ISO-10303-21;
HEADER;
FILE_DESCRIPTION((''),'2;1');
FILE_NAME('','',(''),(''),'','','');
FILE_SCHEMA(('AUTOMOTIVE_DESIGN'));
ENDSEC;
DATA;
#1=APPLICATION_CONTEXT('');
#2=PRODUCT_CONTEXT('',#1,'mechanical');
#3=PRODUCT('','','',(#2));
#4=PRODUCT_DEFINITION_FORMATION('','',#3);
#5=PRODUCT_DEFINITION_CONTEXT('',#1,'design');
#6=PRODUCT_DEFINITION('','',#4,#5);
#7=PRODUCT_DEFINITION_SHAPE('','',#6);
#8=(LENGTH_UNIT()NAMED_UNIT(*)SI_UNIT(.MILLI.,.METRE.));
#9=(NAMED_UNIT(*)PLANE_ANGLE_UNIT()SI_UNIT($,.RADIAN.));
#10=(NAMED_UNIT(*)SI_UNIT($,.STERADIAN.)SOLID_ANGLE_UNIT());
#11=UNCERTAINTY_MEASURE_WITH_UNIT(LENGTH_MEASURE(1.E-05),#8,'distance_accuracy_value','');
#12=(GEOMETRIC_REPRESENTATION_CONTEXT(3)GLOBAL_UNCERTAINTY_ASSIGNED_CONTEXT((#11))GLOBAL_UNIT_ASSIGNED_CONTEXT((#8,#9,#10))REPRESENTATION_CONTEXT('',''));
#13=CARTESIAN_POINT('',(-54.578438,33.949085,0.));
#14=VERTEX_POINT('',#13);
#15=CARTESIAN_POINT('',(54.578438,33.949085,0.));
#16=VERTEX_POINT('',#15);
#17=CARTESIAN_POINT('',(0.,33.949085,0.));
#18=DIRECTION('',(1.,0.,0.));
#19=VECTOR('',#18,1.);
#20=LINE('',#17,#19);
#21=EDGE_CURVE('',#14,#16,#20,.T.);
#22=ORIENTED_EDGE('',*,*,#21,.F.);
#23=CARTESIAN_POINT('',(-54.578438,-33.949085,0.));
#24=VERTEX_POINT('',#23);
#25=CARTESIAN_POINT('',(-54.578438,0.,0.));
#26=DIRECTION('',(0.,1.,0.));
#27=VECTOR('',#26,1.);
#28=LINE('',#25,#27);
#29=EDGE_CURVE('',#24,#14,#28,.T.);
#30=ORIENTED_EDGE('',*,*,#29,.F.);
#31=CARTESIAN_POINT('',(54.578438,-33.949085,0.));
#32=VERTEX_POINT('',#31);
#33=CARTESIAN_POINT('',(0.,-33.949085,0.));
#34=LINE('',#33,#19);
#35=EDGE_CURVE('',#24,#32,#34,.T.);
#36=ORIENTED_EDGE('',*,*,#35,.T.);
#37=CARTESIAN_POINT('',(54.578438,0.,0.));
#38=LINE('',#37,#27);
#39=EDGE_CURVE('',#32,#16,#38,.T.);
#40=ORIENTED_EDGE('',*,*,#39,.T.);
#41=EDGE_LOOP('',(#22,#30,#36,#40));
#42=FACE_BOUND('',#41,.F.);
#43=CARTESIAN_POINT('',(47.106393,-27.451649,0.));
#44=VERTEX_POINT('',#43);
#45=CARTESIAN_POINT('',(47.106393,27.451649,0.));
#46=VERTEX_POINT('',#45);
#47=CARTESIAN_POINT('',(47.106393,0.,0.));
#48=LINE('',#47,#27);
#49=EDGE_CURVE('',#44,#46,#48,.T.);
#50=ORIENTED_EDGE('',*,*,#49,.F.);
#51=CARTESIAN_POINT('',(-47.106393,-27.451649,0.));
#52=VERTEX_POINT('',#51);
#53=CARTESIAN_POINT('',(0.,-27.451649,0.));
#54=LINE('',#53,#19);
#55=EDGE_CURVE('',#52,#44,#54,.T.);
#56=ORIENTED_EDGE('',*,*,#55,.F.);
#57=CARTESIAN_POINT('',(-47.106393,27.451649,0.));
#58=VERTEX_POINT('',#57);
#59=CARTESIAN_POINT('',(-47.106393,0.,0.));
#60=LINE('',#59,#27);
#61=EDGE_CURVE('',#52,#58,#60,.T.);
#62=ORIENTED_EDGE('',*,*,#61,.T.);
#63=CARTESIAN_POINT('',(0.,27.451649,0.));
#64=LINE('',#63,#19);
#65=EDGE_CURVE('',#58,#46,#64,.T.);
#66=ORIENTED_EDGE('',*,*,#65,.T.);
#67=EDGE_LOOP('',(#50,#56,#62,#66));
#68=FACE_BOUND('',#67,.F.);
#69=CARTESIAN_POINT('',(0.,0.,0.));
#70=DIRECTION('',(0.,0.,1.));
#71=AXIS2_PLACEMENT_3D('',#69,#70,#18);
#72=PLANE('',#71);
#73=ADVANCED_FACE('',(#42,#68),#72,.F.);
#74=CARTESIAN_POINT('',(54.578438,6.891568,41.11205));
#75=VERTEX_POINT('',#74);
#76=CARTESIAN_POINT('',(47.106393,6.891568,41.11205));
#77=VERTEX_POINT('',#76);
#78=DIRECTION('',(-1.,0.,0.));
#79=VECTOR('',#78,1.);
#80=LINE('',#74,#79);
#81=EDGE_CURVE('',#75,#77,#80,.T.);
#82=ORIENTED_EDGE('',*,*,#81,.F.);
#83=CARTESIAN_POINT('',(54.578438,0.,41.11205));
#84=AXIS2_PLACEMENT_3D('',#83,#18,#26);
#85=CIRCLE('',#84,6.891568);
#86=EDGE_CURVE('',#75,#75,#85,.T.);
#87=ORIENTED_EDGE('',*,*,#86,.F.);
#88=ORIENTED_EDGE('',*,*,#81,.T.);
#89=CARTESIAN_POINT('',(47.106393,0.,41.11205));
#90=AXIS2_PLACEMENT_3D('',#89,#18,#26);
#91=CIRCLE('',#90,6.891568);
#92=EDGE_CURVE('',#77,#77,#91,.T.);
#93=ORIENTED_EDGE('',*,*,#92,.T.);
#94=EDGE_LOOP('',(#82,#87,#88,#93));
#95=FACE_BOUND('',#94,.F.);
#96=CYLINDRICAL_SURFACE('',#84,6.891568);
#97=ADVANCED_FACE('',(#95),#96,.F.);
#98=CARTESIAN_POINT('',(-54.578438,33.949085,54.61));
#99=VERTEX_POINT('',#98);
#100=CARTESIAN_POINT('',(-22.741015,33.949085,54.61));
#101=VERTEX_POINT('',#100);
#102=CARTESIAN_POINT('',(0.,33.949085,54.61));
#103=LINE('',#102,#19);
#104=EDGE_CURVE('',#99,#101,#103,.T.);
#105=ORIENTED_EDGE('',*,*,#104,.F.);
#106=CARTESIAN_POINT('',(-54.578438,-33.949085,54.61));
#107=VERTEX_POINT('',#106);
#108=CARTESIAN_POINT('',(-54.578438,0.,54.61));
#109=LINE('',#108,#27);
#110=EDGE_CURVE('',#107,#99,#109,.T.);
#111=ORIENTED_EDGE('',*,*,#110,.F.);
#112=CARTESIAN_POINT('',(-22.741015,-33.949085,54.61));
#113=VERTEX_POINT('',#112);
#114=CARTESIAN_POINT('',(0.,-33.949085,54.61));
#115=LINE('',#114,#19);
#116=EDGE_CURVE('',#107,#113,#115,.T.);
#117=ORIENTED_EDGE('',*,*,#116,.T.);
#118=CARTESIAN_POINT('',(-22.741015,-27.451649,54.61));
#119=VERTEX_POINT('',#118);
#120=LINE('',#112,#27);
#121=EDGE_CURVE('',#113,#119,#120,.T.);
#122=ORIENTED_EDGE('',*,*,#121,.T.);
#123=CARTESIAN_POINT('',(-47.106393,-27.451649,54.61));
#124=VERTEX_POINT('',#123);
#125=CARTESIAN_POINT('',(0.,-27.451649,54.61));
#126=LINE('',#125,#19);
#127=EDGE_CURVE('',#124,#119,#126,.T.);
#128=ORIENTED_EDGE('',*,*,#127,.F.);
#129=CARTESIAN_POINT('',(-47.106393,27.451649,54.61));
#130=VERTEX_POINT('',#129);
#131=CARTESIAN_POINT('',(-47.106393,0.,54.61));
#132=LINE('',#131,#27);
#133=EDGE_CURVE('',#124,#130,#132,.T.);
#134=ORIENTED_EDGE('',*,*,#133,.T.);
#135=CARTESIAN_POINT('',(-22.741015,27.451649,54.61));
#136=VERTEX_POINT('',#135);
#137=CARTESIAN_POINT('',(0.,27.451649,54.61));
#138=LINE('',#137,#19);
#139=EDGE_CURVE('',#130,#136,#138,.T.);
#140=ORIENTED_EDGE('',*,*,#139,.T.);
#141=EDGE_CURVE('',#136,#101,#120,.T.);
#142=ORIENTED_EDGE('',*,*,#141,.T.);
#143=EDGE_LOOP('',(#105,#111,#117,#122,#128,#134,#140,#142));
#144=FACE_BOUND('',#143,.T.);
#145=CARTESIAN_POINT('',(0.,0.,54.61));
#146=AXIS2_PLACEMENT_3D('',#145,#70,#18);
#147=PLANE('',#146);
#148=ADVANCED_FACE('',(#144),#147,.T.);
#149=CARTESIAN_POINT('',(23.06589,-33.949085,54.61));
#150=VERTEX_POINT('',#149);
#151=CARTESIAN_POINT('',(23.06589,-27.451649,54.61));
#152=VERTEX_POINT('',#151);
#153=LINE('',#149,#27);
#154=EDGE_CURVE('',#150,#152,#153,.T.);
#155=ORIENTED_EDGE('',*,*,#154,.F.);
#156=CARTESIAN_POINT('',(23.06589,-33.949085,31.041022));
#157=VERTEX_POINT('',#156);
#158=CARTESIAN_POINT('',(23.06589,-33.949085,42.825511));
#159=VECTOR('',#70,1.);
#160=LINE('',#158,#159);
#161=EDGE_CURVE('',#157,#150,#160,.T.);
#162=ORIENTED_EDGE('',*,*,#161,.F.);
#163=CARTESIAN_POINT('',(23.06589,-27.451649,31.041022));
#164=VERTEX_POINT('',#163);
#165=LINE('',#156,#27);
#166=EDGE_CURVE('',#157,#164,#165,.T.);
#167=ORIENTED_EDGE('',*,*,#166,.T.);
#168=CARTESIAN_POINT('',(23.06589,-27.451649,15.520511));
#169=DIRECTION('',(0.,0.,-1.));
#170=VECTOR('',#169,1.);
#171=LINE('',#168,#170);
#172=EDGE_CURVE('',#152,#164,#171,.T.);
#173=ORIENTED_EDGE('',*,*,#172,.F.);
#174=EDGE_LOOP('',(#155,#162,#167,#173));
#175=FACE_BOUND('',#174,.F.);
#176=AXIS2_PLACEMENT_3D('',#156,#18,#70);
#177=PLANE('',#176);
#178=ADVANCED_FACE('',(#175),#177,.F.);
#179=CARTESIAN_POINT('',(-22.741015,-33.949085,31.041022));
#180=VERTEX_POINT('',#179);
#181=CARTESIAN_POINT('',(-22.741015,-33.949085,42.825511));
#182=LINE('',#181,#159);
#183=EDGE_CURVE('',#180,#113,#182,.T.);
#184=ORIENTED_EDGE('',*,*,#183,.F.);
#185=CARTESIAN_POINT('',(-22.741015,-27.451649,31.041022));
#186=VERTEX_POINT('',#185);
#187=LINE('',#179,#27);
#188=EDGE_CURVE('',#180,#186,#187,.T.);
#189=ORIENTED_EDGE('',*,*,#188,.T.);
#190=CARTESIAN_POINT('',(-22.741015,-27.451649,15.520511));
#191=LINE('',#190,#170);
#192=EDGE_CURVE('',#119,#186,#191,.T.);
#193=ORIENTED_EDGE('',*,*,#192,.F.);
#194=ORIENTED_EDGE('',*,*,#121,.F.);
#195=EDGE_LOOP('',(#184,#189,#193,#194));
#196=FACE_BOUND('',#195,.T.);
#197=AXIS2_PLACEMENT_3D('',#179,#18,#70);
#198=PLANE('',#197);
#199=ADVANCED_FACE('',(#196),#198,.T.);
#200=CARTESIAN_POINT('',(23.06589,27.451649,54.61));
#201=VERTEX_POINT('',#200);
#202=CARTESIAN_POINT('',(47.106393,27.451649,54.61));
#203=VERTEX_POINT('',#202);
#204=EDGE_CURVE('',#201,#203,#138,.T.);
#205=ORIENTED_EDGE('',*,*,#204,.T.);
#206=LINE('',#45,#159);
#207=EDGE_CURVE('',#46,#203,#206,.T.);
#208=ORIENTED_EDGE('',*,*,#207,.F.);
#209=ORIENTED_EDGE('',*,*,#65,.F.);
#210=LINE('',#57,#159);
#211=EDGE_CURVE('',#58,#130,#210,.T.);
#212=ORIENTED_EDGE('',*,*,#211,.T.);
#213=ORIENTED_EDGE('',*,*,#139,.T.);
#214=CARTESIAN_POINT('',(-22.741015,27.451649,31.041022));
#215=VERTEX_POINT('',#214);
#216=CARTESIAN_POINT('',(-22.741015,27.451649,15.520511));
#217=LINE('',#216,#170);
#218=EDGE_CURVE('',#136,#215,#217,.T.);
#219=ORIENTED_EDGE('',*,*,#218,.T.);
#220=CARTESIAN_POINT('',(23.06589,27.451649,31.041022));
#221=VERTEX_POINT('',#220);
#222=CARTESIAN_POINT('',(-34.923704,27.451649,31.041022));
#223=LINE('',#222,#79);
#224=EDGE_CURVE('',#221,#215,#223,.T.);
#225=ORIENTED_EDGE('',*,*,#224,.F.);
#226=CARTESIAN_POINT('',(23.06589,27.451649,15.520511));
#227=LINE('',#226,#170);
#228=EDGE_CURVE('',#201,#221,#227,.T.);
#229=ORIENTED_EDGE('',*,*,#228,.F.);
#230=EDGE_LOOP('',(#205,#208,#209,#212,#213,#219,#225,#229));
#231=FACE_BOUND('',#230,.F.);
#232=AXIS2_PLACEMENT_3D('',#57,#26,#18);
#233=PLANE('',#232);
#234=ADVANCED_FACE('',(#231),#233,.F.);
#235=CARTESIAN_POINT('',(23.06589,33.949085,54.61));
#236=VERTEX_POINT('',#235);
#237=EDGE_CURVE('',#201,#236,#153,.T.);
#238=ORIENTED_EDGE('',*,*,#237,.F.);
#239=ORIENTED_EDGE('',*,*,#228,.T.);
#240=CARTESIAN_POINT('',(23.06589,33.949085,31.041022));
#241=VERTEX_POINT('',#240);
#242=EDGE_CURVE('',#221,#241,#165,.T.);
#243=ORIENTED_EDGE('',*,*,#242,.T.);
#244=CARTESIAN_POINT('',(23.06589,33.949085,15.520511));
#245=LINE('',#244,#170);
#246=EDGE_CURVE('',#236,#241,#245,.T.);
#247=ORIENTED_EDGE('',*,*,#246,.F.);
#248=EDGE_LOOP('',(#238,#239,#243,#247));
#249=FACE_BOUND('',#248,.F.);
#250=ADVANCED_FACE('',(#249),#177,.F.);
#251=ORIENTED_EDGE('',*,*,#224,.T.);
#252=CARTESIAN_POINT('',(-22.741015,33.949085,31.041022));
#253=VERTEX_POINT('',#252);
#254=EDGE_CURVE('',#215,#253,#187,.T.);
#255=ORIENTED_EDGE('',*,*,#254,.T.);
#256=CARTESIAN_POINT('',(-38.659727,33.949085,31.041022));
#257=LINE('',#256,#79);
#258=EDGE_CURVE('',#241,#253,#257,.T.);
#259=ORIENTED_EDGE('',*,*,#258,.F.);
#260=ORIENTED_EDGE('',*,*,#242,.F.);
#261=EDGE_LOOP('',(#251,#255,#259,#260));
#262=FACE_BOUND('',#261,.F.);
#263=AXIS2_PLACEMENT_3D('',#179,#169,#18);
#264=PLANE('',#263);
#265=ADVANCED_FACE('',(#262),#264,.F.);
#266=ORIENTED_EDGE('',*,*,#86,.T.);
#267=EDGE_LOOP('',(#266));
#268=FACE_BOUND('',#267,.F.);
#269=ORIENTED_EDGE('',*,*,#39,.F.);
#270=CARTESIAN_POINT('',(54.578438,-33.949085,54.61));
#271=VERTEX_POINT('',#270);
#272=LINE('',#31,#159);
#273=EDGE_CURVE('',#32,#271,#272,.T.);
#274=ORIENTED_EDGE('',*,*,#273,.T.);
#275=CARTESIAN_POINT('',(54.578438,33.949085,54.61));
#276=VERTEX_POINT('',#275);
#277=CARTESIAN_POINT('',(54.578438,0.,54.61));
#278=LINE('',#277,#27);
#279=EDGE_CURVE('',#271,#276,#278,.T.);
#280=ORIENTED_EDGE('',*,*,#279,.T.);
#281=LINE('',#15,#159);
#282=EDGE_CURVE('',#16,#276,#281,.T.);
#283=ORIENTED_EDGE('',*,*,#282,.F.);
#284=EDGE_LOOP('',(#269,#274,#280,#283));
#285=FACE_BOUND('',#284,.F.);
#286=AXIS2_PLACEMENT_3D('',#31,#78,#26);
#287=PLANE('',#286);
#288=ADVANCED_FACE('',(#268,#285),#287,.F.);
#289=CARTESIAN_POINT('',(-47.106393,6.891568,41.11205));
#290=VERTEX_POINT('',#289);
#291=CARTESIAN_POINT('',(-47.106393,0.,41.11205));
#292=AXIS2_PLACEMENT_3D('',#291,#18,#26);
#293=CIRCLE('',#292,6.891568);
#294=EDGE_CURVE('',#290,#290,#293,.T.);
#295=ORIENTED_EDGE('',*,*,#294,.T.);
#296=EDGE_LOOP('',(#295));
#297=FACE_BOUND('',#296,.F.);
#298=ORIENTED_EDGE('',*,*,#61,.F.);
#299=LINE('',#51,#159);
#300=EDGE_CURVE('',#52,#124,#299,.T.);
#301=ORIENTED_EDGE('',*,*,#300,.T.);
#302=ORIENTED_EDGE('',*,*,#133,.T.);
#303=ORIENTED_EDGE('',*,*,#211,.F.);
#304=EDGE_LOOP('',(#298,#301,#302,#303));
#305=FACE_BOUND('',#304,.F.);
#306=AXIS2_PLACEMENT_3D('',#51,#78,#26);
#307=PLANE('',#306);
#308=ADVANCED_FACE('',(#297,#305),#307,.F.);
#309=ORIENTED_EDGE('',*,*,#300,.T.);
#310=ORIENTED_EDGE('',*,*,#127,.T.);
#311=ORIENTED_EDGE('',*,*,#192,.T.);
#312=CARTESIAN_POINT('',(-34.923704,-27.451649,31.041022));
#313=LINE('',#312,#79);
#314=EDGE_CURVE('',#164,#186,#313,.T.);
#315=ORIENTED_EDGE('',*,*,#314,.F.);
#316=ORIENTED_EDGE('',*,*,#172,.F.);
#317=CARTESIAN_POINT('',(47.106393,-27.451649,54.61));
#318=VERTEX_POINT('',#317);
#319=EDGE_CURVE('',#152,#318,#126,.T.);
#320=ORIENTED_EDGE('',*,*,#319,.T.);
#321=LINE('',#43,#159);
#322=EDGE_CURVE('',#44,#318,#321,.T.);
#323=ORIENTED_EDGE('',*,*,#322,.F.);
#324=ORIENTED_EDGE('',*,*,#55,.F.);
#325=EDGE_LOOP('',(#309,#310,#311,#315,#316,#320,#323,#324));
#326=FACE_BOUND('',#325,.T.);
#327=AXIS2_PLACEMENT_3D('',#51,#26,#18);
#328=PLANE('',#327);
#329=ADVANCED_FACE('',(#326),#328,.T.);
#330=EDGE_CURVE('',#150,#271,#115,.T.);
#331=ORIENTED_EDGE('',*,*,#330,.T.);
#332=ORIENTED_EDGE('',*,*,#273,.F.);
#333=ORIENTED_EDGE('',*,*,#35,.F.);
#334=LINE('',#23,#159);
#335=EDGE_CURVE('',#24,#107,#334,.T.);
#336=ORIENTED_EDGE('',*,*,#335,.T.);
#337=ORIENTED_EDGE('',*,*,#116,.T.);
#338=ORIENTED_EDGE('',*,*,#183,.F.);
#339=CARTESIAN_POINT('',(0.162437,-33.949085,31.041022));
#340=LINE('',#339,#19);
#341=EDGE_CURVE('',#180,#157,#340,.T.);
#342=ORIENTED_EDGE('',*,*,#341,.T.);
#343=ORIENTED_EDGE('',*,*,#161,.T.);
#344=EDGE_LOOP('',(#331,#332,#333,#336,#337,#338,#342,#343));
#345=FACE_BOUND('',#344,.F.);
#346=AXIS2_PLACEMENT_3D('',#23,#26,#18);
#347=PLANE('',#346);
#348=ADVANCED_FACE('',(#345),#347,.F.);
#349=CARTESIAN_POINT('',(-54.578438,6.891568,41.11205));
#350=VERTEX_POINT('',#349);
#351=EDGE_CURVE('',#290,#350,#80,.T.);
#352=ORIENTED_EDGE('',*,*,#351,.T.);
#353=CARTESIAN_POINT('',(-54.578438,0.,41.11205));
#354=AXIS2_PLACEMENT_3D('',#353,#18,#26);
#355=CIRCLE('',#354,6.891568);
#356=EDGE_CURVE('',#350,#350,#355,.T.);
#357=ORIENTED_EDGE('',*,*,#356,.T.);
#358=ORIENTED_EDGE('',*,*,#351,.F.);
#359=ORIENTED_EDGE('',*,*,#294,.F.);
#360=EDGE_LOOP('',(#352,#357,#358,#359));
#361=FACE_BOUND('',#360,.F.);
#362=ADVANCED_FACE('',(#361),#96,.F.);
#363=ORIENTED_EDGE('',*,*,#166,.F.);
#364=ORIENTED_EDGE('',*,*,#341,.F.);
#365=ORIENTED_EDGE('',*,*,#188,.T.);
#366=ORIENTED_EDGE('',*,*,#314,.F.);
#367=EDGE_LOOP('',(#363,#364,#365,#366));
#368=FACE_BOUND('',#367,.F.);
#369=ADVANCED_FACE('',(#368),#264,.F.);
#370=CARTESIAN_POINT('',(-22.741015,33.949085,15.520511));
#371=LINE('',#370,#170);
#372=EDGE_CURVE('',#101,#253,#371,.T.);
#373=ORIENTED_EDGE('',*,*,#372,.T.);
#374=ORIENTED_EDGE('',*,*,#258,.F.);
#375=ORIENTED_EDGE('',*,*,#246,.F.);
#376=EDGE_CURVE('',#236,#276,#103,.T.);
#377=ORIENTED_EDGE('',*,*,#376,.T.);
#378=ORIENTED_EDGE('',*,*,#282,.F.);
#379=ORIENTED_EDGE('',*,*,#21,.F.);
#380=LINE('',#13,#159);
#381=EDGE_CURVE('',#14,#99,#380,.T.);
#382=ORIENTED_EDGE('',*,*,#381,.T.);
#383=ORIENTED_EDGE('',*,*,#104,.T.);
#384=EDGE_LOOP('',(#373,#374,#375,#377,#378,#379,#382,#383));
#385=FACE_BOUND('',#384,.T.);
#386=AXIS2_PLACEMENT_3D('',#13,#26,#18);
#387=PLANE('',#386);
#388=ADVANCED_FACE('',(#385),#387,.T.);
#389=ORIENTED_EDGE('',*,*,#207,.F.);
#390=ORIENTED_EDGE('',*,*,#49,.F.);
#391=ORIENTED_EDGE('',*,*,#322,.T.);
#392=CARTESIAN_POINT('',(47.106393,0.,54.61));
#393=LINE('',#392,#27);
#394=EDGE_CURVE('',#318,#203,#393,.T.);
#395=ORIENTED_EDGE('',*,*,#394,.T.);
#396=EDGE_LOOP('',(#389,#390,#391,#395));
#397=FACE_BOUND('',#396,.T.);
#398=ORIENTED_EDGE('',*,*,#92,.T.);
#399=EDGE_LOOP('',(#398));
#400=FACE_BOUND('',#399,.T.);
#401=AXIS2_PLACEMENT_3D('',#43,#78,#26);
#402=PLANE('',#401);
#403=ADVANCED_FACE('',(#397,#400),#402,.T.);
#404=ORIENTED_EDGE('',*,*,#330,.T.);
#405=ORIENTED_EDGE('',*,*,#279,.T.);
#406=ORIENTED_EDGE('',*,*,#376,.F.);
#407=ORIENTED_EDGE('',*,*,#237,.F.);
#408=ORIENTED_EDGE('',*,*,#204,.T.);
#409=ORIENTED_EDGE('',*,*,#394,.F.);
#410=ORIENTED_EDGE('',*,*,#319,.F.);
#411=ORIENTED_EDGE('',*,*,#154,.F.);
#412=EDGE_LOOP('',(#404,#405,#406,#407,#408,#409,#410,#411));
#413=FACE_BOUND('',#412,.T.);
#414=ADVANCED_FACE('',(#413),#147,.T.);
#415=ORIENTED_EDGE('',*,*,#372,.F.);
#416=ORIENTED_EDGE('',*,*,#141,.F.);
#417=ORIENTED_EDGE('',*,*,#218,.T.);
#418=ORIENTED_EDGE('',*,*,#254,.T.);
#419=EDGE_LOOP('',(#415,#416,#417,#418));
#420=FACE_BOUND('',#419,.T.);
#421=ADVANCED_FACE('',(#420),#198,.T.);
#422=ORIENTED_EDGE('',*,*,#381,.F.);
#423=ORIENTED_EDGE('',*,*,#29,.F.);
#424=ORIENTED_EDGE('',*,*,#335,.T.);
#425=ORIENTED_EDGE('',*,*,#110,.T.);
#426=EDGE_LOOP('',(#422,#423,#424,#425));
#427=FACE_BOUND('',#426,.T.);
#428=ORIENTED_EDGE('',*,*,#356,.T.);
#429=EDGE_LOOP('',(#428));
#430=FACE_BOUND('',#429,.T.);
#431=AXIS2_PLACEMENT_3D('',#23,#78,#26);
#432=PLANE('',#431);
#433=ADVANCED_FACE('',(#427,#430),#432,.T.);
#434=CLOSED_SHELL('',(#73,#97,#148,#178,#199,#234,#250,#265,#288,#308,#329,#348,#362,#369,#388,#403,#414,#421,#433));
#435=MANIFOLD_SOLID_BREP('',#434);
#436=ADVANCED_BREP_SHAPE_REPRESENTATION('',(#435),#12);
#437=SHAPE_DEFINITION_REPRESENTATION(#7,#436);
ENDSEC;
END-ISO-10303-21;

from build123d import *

# Parameters (mm, degrees)
F0_W     = 109.156876
F0_H     = 67.89817
F0_W_2   = 94.212786
F0_H_2   = 54.903298
F1_DEPTH = 54.61
F2_W     = 45.806905
F2_H     = 23.568978
F3_DEPTH = 67.899169
F4_R     = 6.891568
F5_DEPTH = 109.157877


with BuildPart() as f1:
    # F0 (on Top) → F1 (new body)
    with BuildSketch(Plane.XY):
        Rectangle(F0_W, F0_H)
        Rectangle(F0_W_2, F0_H_2, mode=Mode.SUBTRACT)
    extrude(amount=F1_DEPTH)

    # F2 (on face) → F3 (cut, through all)
    with BuildSketch(Plane.XZ.offset(33.949085)):
        with Locations((0.162437, 42.825511)):
            Rectangle(F2_W, F2_H)
    extrude(amount=-F3_DEPTH, mode=Mode.SUBTRACT)

    # F4 (on face) → F5 (cut, through all)
    with BuildSketch(Plane.YZ.offset(54.578438)):
        with Locations((0, 41.11205)):
            Circle(F4_R)
    extrude(amount=-F5_DEPTH, mode=Mode.SUBTRACT)


solid = f1.part
